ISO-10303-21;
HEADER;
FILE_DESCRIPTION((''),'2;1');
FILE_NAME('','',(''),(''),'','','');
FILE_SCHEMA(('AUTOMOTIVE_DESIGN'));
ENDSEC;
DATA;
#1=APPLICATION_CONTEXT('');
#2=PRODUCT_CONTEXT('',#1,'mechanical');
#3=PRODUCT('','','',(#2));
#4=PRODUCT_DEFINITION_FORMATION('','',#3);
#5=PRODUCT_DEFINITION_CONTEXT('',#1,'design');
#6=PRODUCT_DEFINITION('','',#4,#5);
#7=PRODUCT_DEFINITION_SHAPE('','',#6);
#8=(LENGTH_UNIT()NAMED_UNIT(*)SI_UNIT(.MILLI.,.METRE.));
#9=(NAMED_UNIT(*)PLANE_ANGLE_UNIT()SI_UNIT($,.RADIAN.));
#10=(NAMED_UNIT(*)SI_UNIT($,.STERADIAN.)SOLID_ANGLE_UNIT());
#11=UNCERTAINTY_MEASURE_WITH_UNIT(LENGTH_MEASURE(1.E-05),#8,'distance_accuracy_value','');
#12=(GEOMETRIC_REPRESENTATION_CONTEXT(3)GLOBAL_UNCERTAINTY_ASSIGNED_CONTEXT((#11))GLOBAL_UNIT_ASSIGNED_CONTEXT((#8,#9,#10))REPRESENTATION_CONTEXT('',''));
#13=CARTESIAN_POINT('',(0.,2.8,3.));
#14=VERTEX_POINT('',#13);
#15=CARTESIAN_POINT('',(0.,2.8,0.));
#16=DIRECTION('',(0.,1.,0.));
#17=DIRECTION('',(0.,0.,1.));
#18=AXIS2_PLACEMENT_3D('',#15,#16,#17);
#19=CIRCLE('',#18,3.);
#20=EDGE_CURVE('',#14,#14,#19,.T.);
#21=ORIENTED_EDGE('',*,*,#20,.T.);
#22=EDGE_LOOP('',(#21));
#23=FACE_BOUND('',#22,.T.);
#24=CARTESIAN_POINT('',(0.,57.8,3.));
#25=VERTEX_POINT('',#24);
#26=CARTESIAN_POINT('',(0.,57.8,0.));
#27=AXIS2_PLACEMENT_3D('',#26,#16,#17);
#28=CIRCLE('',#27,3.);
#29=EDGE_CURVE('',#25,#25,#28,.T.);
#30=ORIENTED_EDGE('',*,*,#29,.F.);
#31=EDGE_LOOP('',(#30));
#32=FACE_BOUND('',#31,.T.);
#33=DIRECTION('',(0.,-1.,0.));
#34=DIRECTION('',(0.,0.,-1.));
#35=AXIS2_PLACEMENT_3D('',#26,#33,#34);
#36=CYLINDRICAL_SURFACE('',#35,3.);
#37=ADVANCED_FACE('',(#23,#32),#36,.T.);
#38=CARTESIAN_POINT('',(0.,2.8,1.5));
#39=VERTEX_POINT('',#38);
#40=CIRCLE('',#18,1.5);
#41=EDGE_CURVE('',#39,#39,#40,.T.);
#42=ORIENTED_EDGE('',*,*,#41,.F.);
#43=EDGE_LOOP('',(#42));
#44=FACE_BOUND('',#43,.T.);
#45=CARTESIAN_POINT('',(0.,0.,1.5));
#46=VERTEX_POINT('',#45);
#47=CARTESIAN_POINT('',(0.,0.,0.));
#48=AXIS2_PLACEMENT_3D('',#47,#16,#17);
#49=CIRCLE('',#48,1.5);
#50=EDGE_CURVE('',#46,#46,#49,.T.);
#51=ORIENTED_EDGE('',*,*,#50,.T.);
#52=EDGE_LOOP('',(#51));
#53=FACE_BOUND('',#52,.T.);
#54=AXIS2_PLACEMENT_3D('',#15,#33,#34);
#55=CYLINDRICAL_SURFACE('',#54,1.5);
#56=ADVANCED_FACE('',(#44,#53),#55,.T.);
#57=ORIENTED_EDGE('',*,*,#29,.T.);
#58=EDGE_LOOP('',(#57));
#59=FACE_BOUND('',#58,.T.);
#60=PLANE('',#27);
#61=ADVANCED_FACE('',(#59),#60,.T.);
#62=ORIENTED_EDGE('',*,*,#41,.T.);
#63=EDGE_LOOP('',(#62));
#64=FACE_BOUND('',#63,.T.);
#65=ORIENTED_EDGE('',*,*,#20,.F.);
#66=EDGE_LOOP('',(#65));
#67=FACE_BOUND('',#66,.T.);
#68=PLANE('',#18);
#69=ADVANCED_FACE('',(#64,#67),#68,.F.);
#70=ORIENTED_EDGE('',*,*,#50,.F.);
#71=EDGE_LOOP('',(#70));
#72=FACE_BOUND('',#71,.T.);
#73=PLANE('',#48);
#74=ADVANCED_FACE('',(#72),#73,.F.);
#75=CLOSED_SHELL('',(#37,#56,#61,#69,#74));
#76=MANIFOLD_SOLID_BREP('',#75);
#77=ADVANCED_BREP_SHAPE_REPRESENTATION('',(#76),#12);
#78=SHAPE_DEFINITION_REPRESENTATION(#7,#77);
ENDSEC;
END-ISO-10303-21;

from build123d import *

# Parameters (mm, degrees)
SKETCH_1_R      = 1.5
EXTRUDE_1_DEPTH = 2.8
SKETCH_2_R      = 3
EXTRUDE_2_DEPTH = 55


with BuildPart() as part:
    # 草圖1 → 填料-伸長1 (new body)
    with BuildSketch(Plane(origin=(0, 0, 0), x_dir=(1, 0, 0), z_dir=(0, 1, 0))):
        with Locations(Location((0, 0, 0), (0, 0, 270))):
            Circle(SKETCH_1_R)
    extrude(amount=EXTRUDE_1_DEPTH)

    # 草圖2 → 填料-伸長2 (add)
    with BuildSketch(Plane(origin=(0, 2.8, 0), x_dir=(1, 0, 0), z_dir=(0, 1, 0))):
        with Locations(Location((0, 0, 0), (0, 0, 270))):
            Circle(SKETCH_2_R)
    extrude(amount=EXTRUDE_2_DEPTH)


solid = part.part
